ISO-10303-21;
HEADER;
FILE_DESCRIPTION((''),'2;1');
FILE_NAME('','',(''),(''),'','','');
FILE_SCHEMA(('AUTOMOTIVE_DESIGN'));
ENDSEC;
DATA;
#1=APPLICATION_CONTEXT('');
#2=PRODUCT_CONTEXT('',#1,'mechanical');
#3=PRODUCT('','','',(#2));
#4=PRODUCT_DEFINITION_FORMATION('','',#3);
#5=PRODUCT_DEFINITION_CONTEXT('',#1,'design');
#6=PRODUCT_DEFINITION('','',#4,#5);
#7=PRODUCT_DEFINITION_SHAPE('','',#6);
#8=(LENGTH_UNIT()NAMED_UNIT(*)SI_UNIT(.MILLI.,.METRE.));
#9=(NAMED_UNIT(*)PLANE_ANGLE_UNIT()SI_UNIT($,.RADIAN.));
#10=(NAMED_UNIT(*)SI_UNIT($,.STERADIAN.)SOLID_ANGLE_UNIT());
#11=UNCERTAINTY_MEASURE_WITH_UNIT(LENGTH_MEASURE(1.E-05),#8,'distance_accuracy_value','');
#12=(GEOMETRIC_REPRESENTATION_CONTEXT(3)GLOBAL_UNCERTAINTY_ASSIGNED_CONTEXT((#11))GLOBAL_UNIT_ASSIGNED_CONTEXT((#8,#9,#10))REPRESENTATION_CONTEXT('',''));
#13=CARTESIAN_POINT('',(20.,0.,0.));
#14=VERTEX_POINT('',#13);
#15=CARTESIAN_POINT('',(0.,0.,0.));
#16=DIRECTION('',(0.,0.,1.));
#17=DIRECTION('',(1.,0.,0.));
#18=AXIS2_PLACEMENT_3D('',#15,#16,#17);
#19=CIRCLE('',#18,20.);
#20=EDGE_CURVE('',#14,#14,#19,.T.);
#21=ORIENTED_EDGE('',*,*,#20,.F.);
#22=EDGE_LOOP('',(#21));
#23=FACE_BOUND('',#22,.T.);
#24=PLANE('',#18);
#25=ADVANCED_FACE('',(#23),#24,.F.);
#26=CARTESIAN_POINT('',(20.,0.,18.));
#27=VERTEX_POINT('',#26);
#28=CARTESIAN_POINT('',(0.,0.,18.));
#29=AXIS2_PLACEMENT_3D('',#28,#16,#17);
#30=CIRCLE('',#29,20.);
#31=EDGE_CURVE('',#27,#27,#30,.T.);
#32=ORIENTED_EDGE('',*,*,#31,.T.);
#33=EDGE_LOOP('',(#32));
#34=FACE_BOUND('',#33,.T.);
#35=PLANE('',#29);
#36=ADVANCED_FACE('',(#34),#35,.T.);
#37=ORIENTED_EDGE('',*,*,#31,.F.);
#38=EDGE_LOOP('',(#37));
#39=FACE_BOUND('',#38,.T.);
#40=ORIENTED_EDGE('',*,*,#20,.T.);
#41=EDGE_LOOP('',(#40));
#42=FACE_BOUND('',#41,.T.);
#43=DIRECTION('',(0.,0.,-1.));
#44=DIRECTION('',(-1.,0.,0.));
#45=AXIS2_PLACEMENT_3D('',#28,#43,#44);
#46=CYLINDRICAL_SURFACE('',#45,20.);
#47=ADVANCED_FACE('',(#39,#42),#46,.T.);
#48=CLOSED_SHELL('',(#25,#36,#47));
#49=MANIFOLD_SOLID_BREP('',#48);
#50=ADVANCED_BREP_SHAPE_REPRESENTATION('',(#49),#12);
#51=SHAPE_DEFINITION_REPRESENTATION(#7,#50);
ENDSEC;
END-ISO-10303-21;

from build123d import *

# Parameters (mm, degrees)
SKETCH_1_R      = 20
EXTRUDE_1_DEPTH = 18


with BuildPart() as part:
    # 草图1 → 凸台-拉伸1 (new body)
    with BuildSketch(Plane.XY):
        Circle(SKETCH_1_R)
    extrude(amount=EXTRUDE_1_DEPTH)


solid = part.part
